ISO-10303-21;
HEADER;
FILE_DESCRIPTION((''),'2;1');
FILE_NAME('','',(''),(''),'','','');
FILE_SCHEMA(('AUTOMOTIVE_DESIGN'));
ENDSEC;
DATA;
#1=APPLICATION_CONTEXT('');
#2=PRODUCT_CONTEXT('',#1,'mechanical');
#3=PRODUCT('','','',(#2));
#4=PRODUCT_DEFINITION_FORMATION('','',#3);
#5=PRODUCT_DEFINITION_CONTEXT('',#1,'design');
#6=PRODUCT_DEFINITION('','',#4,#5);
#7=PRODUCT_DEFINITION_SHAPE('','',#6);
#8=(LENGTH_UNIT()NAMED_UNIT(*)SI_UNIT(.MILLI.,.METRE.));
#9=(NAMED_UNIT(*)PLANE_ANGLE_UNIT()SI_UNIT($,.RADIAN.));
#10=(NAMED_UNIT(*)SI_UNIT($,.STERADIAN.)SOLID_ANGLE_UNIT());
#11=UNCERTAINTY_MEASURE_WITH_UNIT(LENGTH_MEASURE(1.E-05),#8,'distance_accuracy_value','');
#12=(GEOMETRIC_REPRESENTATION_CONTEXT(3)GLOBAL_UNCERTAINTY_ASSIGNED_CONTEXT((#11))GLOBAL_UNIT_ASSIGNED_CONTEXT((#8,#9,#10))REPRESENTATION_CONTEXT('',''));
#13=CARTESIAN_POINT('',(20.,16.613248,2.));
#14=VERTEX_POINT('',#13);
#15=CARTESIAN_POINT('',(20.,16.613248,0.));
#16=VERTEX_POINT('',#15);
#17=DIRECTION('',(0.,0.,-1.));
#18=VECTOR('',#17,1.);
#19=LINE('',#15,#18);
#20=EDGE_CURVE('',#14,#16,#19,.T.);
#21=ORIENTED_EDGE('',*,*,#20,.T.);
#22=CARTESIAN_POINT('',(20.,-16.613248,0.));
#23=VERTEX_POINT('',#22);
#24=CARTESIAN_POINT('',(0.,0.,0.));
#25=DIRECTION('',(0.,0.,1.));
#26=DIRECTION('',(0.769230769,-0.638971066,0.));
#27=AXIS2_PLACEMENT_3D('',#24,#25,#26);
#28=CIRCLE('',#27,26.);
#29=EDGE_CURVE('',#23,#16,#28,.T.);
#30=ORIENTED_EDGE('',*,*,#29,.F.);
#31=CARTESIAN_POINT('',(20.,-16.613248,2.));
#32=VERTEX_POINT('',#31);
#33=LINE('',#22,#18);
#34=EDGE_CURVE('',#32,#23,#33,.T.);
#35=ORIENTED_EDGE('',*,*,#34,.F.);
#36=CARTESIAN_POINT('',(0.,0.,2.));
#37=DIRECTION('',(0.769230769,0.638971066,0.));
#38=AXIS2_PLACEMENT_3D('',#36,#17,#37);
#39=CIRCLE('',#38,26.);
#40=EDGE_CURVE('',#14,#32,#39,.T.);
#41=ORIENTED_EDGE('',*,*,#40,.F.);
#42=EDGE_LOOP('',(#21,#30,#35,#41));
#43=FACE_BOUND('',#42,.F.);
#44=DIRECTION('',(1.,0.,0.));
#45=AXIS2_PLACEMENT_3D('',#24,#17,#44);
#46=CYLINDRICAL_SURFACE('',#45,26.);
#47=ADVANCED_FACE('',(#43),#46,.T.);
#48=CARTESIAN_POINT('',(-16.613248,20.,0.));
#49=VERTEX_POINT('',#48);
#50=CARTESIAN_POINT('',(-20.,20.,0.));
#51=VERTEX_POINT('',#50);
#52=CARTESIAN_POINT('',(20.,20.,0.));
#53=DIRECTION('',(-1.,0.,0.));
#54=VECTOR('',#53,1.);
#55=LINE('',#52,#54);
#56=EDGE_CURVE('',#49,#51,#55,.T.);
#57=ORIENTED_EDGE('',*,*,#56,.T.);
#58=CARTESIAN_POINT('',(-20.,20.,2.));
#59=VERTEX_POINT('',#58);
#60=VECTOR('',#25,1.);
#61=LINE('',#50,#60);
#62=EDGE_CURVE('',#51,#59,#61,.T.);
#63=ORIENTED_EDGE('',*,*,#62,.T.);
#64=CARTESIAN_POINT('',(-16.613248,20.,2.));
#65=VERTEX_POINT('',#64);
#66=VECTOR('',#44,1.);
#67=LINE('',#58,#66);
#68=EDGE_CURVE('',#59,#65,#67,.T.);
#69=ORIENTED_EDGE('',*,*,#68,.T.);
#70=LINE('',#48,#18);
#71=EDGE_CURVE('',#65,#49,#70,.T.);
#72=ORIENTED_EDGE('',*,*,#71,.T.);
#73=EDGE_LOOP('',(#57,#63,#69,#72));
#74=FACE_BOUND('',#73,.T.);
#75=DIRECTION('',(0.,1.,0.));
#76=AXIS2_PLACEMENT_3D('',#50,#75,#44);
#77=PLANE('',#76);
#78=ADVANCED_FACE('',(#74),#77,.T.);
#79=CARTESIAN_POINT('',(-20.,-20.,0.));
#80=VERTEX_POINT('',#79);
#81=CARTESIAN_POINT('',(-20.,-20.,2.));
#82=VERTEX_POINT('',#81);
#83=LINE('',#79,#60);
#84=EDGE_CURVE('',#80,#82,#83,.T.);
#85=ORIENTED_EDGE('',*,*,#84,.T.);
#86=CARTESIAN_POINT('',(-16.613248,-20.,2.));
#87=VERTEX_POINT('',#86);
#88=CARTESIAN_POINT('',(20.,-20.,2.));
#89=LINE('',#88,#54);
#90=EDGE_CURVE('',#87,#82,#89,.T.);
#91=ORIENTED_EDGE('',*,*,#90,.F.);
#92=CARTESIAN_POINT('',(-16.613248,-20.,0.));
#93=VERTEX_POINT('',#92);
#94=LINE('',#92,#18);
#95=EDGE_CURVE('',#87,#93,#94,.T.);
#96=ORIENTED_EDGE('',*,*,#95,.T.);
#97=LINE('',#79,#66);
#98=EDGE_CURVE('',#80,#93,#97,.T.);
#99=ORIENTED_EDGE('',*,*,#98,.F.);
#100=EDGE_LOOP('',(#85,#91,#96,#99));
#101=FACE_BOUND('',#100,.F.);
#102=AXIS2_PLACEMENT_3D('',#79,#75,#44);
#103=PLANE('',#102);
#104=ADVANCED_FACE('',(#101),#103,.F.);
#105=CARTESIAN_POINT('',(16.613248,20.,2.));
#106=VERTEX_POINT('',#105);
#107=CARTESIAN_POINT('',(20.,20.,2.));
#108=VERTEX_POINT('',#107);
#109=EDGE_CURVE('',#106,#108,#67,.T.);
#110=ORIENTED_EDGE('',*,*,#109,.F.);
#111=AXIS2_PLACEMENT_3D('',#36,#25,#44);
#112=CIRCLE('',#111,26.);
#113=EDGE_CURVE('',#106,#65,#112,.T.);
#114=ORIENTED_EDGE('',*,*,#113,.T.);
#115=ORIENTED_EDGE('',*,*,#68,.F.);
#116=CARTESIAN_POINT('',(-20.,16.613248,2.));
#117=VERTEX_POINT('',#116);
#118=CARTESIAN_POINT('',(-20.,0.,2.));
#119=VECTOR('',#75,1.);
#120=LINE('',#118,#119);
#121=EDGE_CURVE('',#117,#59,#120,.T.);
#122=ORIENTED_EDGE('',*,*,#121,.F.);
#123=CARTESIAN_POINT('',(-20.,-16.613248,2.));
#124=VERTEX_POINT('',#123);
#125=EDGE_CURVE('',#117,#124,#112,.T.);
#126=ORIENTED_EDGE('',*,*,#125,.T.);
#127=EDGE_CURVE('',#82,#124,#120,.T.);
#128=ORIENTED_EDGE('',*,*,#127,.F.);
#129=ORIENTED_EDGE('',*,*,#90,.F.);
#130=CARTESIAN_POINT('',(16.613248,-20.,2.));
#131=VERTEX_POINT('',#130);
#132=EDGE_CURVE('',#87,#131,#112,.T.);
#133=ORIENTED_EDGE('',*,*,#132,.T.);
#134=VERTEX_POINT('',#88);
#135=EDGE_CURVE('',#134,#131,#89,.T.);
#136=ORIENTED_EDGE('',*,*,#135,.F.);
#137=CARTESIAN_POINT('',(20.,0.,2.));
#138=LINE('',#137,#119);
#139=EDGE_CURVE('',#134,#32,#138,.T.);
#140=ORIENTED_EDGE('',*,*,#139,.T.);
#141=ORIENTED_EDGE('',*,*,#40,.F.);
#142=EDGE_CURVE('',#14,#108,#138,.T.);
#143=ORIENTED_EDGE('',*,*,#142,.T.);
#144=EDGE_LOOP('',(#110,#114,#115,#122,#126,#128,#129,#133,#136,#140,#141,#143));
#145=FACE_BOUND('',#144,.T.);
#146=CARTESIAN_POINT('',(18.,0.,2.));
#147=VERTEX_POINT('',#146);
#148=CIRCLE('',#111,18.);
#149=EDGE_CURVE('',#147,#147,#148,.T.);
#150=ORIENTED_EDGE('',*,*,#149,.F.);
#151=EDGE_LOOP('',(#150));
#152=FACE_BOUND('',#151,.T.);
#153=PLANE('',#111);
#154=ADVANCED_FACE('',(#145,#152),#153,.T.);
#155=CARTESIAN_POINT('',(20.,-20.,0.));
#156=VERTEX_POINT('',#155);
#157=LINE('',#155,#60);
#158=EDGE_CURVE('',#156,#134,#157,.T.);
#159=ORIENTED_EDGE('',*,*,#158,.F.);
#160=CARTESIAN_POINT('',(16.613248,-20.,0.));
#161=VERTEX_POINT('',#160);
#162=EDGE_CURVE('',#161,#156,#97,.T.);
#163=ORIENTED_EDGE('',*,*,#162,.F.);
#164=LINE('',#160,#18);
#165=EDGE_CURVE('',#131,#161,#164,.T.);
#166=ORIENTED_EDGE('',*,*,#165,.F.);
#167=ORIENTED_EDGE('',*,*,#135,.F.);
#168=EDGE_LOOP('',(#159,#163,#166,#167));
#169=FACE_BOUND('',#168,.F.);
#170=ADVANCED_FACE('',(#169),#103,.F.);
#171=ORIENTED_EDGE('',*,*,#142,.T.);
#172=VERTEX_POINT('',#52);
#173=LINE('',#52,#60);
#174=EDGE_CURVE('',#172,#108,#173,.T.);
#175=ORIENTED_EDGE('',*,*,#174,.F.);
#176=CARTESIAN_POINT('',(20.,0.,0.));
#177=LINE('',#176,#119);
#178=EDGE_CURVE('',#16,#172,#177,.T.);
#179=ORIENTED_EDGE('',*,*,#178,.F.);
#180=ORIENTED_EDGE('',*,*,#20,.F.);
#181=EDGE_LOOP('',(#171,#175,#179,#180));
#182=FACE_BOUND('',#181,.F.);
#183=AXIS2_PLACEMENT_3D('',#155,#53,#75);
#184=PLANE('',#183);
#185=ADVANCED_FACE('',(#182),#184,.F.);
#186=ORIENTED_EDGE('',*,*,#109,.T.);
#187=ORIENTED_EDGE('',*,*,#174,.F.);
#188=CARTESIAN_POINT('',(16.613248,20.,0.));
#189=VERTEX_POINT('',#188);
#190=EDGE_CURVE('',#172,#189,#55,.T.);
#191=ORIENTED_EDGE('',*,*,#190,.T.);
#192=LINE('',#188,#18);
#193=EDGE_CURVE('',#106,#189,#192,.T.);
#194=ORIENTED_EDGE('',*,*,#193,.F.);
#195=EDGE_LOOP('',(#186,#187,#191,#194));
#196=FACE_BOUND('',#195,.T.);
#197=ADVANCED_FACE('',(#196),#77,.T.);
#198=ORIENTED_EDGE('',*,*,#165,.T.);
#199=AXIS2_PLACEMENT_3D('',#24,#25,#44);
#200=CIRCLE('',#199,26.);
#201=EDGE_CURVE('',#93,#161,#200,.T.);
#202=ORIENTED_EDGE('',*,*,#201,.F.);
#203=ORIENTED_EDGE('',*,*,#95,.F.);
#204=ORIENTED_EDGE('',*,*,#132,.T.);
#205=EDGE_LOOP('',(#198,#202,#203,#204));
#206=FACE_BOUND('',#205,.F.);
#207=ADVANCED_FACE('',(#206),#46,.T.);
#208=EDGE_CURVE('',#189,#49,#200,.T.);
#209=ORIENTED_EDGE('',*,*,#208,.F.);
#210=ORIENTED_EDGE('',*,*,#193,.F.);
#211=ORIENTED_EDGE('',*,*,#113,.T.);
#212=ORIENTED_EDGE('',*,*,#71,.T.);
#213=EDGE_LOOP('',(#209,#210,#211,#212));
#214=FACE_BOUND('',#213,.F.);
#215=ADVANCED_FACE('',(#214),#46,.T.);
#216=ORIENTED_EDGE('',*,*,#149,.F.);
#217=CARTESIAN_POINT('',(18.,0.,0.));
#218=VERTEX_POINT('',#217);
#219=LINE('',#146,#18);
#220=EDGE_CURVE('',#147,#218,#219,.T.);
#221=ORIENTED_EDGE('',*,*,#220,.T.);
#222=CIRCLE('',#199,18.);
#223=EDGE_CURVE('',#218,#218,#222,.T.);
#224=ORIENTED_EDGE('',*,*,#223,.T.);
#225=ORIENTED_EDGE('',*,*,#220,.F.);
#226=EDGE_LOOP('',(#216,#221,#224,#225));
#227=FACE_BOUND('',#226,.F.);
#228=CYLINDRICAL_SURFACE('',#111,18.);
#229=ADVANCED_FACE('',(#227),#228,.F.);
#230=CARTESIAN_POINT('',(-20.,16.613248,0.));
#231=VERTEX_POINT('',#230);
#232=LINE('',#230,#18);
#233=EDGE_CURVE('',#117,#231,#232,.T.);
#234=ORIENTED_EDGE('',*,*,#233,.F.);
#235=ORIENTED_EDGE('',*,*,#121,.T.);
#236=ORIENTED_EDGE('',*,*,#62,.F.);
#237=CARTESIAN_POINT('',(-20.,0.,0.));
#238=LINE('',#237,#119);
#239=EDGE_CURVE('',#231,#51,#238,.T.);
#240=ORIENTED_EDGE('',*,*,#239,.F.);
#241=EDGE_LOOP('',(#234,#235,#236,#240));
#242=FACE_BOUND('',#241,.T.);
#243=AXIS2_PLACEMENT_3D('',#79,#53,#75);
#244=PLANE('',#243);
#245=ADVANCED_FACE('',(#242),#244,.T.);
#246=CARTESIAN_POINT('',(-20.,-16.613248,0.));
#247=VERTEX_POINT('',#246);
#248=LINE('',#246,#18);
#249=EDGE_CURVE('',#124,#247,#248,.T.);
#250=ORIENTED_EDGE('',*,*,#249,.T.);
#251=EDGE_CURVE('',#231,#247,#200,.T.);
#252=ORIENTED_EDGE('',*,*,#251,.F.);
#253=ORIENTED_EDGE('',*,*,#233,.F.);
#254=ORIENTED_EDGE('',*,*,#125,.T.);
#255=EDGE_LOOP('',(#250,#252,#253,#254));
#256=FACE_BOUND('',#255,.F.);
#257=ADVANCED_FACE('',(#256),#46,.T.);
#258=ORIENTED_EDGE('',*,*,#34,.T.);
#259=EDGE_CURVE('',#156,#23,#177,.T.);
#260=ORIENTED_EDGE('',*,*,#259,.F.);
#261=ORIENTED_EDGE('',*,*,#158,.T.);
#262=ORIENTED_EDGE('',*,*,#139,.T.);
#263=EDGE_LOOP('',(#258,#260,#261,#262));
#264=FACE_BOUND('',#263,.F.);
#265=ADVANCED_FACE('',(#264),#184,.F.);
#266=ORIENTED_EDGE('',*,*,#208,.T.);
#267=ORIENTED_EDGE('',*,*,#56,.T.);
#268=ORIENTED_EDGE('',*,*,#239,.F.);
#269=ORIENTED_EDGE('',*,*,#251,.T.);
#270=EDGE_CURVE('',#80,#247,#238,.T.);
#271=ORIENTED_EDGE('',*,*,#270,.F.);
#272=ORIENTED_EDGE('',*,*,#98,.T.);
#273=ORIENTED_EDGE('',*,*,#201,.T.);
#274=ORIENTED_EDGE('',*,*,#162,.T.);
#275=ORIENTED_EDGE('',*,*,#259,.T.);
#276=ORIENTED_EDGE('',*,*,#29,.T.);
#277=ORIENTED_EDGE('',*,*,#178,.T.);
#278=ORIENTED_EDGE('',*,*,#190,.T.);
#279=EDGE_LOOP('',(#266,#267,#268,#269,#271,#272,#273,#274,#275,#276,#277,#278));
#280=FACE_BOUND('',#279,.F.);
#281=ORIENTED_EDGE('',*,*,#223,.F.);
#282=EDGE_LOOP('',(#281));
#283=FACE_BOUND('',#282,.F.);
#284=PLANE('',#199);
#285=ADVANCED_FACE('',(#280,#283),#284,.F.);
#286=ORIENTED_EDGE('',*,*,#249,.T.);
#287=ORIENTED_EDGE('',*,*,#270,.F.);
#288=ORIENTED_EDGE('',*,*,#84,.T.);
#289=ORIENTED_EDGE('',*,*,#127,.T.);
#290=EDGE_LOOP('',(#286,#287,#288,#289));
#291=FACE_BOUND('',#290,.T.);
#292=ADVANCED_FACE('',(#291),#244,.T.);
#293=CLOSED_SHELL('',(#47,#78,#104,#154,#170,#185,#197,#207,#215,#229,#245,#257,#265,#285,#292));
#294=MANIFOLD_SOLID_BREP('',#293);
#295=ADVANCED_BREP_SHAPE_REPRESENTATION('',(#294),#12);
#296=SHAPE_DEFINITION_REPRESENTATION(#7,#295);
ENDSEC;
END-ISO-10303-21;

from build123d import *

# Parameters (mm, degrees)
F0_W     = 40
F0_H     = 40
F1_DEPTH = 2
F2_W     = 2
F2_H     = 40
F3_DEPTH = 2
F4_R     = 26
F5_DEPTH = 2
F6_R     = 18
F7_DEPTH = 25


with BuildPart() as f1:
    # F0 (on Top) → F1 (new body)
    with BuildSketch(Plane.XY):
        Rectangle(F0_W, F0_H)
    extrude(amount=F1_DEPTH)

    # F2 (on Top) → F3 (join)
    with BuildSketch(Plane.XY):
        with Locations((-15, 0)):
            Rectangle(F2_W, F2_H)
        with Locations((-11, 0)):
            Rectangle(F2_W, F2_H)
    extrude(amount=F3_DEPTH)

    # F4 (on Top) → F5 (join)
    with BuildSketch(Plane.XY):
        Circle(F4_R)
    extrude(amount=F5_DEPTH)

    # F6 (on face) → F7 (cut)
    with BuildSketch(Plane.XY.offset(2)):
        Circle(F6_R)
    extrude(amount=-F7_DEPTH, mode=Mode.SUBTRACT)


solid = f1.part
